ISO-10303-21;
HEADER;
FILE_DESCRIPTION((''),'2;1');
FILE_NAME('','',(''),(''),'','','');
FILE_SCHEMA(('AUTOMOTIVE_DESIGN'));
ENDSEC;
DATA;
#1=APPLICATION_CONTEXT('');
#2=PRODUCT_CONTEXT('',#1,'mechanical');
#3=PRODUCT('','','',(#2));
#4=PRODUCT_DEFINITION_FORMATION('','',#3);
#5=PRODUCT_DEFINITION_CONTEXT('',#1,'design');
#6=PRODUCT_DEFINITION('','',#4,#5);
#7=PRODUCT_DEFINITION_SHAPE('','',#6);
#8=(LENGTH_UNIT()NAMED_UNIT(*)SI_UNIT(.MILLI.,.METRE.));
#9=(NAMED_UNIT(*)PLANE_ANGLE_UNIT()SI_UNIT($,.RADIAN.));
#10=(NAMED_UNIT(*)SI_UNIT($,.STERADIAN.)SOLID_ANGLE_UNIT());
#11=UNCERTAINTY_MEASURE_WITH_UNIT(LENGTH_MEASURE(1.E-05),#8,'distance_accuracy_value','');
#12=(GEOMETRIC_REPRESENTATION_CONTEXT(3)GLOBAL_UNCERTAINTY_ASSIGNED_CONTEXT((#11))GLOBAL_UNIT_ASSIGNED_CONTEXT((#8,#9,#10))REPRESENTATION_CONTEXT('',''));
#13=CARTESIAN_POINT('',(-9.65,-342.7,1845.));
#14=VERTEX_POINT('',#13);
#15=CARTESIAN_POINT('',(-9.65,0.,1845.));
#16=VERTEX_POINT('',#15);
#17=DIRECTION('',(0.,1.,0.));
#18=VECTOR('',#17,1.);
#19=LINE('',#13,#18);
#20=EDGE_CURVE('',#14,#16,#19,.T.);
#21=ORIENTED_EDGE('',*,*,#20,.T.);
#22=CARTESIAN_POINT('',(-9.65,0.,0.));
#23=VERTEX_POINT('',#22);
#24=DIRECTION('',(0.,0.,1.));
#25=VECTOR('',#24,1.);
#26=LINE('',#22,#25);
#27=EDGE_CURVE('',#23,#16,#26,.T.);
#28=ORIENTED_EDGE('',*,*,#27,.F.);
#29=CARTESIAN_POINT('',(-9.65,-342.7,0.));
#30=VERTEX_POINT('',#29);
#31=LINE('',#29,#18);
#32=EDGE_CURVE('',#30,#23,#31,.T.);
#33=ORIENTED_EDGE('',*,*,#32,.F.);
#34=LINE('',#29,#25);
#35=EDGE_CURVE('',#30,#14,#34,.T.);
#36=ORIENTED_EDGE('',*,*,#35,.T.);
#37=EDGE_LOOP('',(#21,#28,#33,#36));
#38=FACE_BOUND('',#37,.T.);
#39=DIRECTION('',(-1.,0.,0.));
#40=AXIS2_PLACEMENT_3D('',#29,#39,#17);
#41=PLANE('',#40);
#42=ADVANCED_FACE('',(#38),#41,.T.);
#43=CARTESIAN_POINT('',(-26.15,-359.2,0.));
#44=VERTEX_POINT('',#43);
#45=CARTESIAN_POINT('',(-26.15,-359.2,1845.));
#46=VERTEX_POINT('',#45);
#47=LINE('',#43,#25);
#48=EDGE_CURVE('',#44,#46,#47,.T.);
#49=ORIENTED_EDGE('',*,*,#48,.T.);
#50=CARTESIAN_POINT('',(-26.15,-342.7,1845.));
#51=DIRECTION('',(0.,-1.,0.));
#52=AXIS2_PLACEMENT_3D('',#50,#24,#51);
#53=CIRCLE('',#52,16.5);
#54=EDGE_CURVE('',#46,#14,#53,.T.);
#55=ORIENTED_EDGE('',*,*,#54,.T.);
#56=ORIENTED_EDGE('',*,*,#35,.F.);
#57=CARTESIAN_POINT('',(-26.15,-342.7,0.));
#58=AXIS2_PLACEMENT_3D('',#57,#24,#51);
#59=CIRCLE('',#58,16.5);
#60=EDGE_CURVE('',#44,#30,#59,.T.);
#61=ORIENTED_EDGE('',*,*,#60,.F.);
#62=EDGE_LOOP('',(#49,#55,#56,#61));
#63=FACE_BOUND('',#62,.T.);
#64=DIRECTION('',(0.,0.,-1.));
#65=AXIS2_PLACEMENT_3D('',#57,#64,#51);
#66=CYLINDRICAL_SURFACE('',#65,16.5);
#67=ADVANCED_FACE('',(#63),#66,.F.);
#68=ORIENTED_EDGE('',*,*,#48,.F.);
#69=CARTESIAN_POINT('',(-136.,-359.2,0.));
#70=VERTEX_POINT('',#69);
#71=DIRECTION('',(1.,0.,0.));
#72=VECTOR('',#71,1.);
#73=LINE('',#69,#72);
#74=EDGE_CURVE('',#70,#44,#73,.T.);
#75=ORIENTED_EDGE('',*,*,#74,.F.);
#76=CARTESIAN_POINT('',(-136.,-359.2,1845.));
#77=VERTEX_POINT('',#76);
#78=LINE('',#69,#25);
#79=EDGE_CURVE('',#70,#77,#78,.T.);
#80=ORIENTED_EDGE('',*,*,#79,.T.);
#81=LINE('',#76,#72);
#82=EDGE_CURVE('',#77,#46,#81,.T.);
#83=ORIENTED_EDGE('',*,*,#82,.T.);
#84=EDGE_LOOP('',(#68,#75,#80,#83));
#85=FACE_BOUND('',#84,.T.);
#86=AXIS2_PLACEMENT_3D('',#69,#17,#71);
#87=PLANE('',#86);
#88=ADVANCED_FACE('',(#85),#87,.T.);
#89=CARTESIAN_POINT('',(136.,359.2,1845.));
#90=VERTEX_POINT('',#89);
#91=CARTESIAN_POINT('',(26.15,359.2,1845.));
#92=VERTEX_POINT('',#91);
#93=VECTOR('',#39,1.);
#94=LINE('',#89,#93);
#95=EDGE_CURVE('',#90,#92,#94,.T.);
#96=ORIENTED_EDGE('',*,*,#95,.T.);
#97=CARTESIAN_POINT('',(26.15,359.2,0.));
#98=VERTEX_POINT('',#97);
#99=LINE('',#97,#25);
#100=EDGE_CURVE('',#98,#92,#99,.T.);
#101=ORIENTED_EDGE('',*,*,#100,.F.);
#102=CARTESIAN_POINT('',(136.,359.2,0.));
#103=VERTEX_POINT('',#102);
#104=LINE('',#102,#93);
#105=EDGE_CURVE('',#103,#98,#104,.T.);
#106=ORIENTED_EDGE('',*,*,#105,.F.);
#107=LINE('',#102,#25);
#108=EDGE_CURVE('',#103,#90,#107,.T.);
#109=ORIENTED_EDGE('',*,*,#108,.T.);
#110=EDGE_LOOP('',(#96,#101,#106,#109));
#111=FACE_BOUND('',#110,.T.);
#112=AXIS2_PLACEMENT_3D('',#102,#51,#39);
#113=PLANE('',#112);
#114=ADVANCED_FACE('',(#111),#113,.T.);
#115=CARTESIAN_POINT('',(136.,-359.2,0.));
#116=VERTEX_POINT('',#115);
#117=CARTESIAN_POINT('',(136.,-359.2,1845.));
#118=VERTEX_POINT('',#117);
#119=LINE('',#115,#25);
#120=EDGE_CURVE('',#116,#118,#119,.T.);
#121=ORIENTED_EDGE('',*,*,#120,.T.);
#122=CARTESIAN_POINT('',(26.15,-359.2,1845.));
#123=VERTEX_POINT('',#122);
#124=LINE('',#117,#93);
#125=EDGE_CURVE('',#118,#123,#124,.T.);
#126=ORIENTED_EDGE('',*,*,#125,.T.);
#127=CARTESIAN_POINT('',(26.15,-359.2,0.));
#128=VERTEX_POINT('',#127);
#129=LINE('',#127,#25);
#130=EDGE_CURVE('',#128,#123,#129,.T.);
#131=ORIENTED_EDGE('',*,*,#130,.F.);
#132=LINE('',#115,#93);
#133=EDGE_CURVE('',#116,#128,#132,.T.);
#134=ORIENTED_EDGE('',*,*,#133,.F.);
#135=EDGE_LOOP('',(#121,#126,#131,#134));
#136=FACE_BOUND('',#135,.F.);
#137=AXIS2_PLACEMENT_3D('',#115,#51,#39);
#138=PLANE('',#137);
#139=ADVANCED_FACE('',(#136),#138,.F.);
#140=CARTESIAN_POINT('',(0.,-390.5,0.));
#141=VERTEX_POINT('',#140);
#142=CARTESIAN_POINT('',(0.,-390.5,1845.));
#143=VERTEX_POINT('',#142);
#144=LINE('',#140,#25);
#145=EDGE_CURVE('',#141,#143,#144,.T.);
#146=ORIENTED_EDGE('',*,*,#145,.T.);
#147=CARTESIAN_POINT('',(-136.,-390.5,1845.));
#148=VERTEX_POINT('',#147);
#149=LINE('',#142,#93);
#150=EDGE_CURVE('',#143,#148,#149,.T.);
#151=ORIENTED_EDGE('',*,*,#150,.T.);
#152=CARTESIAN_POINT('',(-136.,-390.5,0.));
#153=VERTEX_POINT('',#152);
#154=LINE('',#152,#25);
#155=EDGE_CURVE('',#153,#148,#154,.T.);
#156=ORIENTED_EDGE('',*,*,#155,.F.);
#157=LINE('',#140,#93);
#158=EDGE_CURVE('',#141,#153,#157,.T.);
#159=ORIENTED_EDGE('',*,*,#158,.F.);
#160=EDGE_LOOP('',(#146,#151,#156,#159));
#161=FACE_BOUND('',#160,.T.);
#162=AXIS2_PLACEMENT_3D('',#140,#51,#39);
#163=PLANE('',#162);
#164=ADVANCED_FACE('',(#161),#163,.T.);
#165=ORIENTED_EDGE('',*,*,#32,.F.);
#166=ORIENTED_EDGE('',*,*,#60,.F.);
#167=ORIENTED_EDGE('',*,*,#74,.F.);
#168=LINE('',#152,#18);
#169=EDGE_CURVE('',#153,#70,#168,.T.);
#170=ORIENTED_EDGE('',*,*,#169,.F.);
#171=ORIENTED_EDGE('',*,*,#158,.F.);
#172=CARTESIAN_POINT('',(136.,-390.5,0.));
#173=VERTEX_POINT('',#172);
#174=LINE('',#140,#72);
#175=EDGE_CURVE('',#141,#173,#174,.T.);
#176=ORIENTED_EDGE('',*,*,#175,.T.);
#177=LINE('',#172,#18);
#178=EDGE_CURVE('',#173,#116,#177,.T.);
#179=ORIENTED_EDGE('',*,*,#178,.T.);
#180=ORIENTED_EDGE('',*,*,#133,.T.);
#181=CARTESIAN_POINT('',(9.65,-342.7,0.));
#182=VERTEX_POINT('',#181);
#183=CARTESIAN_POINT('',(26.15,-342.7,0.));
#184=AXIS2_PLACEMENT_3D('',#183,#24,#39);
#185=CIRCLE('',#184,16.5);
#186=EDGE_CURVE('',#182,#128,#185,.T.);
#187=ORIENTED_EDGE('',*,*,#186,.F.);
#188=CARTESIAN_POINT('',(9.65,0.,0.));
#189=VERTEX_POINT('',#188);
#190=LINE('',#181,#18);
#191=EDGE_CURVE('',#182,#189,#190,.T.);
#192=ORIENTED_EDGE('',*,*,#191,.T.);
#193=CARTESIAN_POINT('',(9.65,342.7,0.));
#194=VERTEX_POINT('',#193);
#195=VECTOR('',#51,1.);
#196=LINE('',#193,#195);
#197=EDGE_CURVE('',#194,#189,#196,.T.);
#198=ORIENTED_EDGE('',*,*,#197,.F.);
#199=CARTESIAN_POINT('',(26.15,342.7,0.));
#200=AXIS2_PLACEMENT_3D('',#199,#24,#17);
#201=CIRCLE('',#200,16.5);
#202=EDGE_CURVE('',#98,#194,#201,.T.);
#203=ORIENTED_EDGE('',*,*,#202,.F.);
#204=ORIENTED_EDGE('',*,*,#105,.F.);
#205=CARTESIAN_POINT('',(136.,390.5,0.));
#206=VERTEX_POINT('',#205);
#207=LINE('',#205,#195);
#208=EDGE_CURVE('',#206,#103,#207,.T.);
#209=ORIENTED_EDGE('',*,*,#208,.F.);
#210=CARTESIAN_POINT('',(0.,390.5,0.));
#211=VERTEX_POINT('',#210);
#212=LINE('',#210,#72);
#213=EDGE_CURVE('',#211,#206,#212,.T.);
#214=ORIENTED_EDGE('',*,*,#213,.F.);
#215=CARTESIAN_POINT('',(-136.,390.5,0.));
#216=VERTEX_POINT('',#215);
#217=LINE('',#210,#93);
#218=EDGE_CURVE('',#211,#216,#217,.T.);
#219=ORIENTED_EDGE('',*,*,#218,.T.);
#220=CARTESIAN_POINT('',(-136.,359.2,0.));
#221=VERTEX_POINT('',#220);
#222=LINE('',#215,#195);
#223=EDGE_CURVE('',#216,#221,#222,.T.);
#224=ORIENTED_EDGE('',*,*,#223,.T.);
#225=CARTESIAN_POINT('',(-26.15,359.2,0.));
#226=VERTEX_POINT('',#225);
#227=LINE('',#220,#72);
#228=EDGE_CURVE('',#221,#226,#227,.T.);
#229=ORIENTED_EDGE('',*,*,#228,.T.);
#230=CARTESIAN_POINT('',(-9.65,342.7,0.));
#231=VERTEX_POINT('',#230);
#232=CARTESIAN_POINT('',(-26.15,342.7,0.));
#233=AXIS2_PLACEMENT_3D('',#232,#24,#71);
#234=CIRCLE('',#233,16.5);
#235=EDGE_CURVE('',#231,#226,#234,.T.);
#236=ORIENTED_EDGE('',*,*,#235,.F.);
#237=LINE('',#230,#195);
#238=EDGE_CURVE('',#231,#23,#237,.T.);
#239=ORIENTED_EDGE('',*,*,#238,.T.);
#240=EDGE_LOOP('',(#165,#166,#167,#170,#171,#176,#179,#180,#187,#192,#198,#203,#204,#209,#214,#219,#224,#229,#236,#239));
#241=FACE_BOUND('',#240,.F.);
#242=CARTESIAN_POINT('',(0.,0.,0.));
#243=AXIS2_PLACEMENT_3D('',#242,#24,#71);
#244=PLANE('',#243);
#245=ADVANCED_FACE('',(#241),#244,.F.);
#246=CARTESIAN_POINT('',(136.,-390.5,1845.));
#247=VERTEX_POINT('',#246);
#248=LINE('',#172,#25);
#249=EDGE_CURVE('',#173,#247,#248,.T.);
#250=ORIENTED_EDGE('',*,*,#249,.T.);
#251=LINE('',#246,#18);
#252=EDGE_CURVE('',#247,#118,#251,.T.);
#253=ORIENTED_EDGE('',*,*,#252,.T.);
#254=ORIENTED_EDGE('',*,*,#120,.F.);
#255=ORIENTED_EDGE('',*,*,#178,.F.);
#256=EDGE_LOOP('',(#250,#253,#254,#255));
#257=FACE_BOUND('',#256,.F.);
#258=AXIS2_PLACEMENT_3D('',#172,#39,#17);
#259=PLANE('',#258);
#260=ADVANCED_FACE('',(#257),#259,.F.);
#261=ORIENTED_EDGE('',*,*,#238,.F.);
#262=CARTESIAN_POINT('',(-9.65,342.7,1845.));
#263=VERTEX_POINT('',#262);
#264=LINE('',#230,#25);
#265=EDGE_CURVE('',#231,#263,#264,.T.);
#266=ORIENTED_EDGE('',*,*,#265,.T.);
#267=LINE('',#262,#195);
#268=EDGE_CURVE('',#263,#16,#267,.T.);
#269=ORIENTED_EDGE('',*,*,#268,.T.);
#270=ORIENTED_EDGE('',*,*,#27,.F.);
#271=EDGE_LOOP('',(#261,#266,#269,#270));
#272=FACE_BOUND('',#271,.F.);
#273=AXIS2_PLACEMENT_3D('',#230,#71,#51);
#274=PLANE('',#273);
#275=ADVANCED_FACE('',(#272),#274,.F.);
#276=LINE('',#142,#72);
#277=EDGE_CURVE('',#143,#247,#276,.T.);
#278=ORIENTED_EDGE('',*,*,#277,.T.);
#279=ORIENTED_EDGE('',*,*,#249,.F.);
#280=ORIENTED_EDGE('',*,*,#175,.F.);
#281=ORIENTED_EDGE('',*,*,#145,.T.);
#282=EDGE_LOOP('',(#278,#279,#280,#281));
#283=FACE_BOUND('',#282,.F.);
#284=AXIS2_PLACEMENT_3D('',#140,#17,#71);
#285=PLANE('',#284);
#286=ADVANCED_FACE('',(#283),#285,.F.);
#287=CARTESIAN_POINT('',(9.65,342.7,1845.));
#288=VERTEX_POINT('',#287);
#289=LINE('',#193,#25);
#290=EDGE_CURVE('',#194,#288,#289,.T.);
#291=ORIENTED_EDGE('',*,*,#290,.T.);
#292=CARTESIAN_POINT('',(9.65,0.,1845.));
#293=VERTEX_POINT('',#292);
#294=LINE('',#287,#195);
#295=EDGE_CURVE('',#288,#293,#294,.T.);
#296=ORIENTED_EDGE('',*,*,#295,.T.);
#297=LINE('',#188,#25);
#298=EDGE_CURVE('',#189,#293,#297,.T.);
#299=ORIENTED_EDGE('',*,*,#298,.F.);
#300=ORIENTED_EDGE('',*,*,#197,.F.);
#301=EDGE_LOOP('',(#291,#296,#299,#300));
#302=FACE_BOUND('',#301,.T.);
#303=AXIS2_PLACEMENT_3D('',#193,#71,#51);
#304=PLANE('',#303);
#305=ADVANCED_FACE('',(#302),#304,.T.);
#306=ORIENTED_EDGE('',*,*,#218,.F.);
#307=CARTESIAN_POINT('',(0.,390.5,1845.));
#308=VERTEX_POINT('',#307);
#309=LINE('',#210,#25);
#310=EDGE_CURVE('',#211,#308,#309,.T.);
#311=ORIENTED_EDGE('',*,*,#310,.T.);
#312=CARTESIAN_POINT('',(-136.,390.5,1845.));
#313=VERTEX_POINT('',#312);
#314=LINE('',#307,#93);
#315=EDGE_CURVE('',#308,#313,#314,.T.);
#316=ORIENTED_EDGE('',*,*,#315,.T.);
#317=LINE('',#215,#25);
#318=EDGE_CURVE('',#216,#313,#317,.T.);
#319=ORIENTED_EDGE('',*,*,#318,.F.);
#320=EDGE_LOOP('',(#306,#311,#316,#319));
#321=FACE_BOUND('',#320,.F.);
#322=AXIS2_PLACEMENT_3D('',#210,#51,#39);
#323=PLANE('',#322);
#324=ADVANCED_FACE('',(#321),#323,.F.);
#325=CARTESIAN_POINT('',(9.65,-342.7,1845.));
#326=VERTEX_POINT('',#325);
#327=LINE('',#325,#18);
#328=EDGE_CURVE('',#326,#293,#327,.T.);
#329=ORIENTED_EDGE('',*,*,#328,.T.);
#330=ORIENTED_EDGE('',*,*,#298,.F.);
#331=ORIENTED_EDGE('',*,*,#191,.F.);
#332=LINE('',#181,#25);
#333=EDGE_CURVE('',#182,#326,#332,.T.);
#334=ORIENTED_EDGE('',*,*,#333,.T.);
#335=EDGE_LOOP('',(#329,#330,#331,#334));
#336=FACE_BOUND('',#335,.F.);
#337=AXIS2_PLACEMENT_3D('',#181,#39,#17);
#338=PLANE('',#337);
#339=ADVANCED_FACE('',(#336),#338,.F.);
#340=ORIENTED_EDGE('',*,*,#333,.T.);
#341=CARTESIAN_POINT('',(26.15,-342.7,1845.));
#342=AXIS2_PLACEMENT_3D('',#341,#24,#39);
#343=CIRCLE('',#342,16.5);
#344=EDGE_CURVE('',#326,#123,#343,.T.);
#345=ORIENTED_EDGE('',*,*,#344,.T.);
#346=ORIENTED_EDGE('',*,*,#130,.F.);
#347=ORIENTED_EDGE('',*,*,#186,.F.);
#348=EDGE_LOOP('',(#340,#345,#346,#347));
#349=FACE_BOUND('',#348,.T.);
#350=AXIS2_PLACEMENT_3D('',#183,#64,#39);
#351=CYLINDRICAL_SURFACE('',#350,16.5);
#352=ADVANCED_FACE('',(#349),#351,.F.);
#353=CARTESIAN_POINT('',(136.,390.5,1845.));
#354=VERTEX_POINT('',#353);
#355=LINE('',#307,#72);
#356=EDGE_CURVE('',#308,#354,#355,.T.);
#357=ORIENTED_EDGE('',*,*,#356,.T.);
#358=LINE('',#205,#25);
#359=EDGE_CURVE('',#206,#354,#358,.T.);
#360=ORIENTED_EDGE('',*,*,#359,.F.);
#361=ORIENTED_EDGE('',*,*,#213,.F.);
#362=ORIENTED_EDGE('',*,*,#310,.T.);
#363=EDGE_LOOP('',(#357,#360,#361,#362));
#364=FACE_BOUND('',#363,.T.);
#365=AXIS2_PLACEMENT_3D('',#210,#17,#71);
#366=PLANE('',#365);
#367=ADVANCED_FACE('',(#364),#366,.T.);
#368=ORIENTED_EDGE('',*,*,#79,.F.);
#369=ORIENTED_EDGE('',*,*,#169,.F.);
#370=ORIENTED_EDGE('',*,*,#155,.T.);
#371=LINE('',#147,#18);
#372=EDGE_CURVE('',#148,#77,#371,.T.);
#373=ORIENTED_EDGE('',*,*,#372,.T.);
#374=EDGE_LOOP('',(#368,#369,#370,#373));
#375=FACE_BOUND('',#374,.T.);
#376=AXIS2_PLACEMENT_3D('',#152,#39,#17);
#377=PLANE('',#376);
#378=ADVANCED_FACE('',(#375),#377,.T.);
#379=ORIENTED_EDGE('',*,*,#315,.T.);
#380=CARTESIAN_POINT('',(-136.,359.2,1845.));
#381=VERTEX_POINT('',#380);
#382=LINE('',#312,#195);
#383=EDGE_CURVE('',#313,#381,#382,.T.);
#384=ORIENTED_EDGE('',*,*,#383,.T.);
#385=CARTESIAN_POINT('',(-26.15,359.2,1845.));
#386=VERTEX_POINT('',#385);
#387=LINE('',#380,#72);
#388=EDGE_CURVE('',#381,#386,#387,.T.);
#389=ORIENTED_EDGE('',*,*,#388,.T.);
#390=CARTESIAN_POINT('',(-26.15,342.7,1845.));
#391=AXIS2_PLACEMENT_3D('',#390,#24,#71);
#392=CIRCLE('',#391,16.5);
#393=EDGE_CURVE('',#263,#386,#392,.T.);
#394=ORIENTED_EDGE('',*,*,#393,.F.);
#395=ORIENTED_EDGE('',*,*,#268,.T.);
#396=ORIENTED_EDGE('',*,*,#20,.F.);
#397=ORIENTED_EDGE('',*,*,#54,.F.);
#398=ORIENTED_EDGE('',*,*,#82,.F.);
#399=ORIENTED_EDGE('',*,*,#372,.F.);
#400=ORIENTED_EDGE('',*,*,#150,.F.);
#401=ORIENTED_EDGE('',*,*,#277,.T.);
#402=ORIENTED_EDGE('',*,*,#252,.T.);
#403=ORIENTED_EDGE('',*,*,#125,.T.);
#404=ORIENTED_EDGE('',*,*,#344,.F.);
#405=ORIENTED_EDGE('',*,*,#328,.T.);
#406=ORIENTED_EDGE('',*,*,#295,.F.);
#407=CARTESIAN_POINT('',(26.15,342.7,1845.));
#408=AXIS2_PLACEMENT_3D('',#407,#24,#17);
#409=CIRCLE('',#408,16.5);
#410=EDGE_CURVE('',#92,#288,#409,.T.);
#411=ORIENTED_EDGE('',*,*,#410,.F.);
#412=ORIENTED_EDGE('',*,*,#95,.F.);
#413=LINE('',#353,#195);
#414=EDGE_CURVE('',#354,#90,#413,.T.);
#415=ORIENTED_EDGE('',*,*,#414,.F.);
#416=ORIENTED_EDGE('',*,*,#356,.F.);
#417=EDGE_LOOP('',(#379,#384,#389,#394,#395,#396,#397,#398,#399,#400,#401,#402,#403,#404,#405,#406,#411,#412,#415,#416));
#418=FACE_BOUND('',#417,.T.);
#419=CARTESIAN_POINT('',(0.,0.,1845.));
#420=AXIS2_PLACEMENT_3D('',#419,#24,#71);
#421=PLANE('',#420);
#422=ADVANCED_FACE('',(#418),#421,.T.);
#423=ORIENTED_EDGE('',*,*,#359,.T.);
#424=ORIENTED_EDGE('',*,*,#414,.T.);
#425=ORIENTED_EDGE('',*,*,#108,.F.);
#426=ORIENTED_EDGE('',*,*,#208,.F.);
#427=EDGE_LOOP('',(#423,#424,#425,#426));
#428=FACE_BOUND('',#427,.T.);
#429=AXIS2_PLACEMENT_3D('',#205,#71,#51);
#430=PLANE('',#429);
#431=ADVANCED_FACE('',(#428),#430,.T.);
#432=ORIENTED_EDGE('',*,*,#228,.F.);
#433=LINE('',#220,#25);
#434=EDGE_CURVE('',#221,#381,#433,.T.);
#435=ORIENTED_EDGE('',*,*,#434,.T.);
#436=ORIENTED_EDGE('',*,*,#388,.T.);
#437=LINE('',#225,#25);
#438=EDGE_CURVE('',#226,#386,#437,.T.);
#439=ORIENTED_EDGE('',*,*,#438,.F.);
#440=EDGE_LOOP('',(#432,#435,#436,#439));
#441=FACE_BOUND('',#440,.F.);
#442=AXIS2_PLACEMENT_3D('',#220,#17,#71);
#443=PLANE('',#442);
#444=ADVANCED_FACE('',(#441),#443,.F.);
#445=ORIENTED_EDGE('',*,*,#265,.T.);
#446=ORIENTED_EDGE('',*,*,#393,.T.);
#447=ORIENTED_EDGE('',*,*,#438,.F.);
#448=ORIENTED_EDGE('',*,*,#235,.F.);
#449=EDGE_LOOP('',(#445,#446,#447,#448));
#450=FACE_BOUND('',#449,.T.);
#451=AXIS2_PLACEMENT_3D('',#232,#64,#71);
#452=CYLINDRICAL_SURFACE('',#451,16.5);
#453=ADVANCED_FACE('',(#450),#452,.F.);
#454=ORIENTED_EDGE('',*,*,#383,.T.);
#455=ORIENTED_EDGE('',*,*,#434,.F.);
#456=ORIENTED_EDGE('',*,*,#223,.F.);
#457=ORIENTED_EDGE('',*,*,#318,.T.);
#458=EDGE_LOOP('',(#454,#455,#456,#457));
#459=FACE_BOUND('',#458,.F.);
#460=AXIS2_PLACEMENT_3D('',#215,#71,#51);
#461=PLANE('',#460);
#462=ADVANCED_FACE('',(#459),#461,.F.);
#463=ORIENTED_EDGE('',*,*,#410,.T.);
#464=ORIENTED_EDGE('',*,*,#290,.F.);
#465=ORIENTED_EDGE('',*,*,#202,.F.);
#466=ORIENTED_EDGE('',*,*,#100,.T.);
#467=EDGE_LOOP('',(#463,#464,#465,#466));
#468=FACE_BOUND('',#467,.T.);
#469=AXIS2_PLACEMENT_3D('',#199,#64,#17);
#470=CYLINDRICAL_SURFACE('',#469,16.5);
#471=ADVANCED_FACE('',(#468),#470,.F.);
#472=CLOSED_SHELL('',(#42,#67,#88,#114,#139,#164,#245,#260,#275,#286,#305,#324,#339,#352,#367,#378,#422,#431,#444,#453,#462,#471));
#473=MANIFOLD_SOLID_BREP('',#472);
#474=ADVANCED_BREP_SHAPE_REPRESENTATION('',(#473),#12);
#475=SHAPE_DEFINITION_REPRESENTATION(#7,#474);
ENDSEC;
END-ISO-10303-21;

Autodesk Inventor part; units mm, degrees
ref_plane "YZ Plane" through (0, 0, 0) normal (1, 0, 0) x (0, 1, 0)
ref_plane "Start plane" through (0, 0, 0) normal (0, 0, 1) x (1, 0, 0)
ref_plane "End plane" through (0, 0, 1845) normal (0, 0, 1) x (1, 0, 0)
sketch "Sketch" plane through (0, 0, 0) normal (0, 0, 1) x (1, 0, 0)
  line L0 (-136, -390.5) -> (-136, -359.2)
  line L1 (-136, -359.2) -> (-26.15, -359.2)
  line L2 (-9.65, -342.7) -> (-9.65, 0)
  line L3 (-9.65, 0) -> (0, 0) construction
  line L4 (0, 0) -> (0, -390.5) construction
  line L5 (0, -390.5) -> (-136, -390.5)
  line L6 (-60, 0) -> (80, 0) construction
  line L7 (0, -60) -> (0, 80) construction
  line L8 (136, -390.5) -> (136, -359.2)
  line L9 (136, -359.2) -> (26.15, -359.2)
  line L10 (9.65, -342.7) -> (9.65, 0)
  line L11 (9.65, 0) -> (0, 0) construction
  line L12 (0, -390.5) -> (136, -390.5)
  line L13 (-136, 390.5) -> (-136, 359.2)
  line L14 (-136, 359.2) -> (-26.15, 359.2)
  line L15 (-9.65, 342.7) -> (-9.65, 0)
  line L16 (0, 390.5) -> (-136, 390.5)
  line L17 (136, 390.5) -> (136, 359.2)
  line L18 (136, 359.2) -> (26.15, 359.2)
  line L19 (0, 390.5) -> (136, 390.5)
  line L20 (9.65, 342.7) -> (9.65, 0)
  arc A0 (-9.65, 342.7) -> (-26.15, 359.2) centre (-26.15, 342.7) ccw
  arc A1 (26.15, 359.2) -> (9.65, 342.7) centre (26.15, 342.7) ccw
  arc A2 (9.65, -342.7) -> (26.15, -359.2) centre (26.15, -342.7) ccw
  arc A3 (-26.15, -359.2) -> (-9.65, -342.7) centre (-26.15, -342.7) ccw
  line L21 (0, 108) -> (0, -88) construction
  line L22 (-88, 0) -> (108, 0) construction
  point P0 (-9.65, -359.2)
  point P1 (9.65, -359.2)
  point P2 (-9.65, 359.2)
  point P3 (9.65, 359.2)
  dimension "d1" = 390.5
  dimension "d2" = 31.3
  dimension "d3" = 136
  dimension "d4" = 9.65
  dimension "d10" = 16.5
extrude "Body" add sketch "Sketch" along normal up to surface (1845 mm away) from surface at 0
sketch "Sketch4" plane through (0, 0, 0) normal (0, 0, 1) x (1, 0, 0)
  line L0 (0, 0) -> (10, 0)
ref_plane "Work Plane3" through (0, 0, 0) normal (0, -1, 0) x (1, 0, 0)
sketch "Sketch5" plane through (0, 0, 0) normal (0, -1, 0) x (1, 0, 0)
  line L0 (-2, 0) -> (12, 0) projected
  line L1 (-2, 1845) -> (12, 1845) projected
  dimension "d14" = 1845
equation "\"d1\" = 0.5 * G_H"
equation "\"d2\" = G_T1"
equation "\"d3\" = 0.5 * G_W"
equation "\"d4\" = 0.5 * G_T"
equation "\"d10\" = G_IR"
equation "\"d5\" = G_L"
equation "\"G_W\" = 272"
equation "\"G_H\" = 781"
equation "\"G_T\" = 19.3"
equation "\"G_T1\" = 31.3"
equation "\"G_IR\" = 16.5"
equation "\"G_L\" = d14"
equation "\"G_OFFSET_START\" = 0"
equation "\"G_OFFSET_END\" = 0"
equation "\"d12\" = G_OFFSET_END + B_L"
equation "\"B_L\" = 1845"
properties part number "AS 3679-1990 - 760 UB - 244 - 1845" material "Steel, Mild"
